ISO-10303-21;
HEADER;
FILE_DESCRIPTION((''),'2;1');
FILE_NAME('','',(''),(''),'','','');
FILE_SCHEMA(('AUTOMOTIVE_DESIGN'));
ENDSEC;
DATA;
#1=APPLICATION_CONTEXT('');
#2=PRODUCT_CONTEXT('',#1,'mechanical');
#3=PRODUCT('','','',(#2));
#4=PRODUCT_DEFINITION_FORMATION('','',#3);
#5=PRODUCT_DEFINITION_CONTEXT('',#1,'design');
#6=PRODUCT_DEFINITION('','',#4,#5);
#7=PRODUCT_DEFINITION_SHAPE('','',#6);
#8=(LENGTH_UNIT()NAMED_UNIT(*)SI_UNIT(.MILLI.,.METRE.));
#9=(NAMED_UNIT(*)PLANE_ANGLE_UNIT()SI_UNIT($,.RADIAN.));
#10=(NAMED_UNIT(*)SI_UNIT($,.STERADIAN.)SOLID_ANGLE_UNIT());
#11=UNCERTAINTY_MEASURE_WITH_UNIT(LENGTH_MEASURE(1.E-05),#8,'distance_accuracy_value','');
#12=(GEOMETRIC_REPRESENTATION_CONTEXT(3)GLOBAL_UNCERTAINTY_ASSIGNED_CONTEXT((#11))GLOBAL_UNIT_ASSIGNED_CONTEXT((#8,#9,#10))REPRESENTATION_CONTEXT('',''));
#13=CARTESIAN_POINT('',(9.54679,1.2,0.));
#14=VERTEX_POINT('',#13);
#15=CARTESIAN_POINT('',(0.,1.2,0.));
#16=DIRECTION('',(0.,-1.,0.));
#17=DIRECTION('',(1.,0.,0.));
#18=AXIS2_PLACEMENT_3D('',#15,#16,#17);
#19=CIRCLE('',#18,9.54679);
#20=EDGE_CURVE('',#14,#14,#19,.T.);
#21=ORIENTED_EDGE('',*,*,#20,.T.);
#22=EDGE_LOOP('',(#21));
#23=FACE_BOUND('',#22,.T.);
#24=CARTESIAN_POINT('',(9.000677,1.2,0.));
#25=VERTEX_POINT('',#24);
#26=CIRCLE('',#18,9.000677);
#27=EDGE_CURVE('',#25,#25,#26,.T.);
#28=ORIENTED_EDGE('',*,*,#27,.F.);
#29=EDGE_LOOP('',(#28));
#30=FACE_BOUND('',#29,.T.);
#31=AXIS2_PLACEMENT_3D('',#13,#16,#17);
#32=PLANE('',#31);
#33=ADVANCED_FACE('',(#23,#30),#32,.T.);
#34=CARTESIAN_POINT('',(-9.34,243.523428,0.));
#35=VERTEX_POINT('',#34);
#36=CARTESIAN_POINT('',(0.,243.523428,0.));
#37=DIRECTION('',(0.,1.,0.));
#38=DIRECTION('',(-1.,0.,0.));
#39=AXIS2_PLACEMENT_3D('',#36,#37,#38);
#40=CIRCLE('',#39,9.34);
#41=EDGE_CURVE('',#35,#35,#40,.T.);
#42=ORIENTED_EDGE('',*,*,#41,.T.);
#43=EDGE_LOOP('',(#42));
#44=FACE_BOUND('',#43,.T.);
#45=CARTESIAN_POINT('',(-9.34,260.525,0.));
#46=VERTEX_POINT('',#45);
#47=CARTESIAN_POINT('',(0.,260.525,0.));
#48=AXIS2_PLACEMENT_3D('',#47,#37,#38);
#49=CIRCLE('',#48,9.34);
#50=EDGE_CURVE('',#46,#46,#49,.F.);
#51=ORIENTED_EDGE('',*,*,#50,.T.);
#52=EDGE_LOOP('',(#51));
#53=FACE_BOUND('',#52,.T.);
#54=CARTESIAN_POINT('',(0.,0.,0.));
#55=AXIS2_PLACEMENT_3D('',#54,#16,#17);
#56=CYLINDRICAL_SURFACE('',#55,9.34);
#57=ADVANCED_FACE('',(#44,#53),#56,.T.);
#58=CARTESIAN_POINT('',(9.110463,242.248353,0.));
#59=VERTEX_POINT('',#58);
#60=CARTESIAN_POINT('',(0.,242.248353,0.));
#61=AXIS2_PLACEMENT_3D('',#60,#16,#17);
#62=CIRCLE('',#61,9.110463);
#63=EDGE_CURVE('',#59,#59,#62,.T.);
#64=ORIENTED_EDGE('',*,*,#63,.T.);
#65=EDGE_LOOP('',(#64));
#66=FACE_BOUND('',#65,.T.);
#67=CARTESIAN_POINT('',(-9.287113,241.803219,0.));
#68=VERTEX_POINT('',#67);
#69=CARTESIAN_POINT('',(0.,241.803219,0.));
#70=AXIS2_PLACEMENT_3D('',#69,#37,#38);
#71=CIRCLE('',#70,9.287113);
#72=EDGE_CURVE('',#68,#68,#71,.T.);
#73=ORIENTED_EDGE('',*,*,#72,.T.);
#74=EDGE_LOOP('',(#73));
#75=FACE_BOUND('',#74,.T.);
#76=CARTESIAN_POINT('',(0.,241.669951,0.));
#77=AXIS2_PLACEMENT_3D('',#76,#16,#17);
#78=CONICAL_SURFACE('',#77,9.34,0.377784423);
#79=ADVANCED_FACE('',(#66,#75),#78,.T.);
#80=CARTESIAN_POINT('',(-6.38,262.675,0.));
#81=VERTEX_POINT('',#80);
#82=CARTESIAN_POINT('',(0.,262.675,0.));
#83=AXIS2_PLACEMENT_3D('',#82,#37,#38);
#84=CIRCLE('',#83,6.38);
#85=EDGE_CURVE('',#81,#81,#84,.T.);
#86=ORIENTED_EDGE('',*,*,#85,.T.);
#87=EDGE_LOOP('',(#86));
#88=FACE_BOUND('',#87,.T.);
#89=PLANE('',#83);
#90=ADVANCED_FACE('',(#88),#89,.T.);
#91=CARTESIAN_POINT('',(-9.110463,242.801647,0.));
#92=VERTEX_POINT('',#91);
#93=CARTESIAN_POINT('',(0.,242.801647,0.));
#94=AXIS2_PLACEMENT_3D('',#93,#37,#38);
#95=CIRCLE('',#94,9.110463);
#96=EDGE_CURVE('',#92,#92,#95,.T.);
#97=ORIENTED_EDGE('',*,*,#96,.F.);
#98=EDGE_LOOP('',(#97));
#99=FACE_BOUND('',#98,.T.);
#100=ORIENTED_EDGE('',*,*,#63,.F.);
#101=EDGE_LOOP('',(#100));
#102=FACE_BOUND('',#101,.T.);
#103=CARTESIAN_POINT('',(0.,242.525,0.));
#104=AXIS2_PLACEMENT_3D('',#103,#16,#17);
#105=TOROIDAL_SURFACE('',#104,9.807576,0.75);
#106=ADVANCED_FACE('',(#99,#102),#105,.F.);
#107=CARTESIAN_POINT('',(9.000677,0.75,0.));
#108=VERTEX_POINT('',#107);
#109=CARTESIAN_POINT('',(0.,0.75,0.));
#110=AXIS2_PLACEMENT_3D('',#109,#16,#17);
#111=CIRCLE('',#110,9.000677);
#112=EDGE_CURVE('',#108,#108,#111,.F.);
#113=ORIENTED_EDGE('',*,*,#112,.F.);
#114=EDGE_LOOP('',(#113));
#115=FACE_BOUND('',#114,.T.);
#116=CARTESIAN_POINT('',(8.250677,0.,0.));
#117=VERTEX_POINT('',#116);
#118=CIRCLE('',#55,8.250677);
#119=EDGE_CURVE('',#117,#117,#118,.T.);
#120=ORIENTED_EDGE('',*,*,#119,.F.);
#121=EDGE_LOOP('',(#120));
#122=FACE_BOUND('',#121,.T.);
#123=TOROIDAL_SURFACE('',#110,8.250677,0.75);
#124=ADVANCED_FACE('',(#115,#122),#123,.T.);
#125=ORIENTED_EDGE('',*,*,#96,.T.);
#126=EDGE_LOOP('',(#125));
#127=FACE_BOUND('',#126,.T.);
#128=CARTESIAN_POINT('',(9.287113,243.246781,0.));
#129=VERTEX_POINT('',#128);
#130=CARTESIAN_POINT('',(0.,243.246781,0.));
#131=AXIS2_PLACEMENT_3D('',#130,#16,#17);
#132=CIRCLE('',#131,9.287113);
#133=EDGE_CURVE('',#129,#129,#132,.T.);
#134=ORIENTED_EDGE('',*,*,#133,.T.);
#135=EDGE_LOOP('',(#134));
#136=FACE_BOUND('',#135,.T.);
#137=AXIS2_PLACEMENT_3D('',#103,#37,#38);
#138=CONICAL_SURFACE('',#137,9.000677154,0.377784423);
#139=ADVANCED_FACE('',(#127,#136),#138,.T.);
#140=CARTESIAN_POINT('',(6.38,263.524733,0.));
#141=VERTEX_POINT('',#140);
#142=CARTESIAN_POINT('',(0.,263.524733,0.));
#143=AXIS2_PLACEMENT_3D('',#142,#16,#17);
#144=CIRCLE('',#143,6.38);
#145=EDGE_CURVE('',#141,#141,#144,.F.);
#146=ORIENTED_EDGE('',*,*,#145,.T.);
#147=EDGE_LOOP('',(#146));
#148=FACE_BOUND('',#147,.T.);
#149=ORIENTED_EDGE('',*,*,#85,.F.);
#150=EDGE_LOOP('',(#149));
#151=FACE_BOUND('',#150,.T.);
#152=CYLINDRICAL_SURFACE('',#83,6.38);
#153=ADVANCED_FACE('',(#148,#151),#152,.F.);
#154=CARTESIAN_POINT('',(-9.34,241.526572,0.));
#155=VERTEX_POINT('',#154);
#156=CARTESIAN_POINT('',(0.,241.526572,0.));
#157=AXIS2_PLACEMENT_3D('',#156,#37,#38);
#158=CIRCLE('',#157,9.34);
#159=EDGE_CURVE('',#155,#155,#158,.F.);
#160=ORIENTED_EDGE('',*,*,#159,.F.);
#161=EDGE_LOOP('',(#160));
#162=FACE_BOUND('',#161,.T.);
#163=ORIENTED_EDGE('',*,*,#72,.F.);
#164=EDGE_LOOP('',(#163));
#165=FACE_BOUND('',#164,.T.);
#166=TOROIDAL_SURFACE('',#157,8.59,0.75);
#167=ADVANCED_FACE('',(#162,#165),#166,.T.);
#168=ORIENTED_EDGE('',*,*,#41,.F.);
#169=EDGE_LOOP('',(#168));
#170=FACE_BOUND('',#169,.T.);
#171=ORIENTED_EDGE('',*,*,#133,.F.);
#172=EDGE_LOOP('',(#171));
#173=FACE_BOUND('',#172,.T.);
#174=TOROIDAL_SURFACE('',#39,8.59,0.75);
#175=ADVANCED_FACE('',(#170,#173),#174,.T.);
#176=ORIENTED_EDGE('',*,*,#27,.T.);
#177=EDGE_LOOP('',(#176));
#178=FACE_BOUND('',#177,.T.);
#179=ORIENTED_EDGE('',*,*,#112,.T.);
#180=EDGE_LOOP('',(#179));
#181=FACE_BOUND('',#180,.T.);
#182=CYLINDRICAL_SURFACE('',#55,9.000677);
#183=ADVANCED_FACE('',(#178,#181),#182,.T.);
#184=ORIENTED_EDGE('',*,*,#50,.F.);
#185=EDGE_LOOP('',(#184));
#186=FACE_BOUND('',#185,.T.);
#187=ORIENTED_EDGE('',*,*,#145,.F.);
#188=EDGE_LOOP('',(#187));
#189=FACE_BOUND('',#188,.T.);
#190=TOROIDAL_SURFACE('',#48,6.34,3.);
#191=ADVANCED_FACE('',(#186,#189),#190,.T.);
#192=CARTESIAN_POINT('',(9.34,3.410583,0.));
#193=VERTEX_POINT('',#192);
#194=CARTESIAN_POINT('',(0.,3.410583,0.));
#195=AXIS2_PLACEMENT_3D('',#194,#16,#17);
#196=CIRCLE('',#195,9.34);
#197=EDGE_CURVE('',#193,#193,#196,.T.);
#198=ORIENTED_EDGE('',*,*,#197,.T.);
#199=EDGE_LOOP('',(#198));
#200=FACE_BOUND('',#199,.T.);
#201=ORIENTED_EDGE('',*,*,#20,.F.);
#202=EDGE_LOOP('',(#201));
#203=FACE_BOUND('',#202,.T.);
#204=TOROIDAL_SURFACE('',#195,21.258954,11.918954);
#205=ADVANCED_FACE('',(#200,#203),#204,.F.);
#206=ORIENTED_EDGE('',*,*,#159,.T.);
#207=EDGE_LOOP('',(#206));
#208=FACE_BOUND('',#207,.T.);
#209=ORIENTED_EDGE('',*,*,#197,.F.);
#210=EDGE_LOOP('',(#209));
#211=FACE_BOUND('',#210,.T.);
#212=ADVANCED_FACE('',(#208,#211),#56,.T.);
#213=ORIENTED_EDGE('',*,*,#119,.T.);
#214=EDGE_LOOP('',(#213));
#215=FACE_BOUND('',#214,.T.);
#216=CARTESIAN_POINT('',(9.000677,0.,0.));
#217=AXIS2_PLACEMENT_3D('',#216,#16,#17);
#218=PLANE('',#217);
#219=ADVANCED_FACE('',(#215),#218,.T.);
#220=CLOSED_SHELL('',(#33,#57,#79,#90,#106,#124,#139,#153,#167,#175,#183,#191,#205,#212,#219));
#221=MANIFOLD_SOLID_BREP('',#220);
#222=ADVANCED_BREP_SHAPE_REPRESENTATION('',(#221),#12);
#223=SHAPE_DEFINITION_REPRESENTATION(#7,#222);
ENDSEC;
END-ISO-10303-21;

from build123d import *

# Parameters (mm, degrees)
FILLET1_R          = 3
FILLET2_R          = 0.75
SKETCH3_R          = 6.38
CUT_EXTRUDE1_DEPTH = 0.85


with BuildPart() as part:
    # Sketch2 → Revolve1 (revolve)
    with BuildSketch(Plane.XY):
        with BuildLine():
            Line((0, 263.525), (9.34, 263.525))
            Line((9.34, 263.525), (9.34, 243.380049267))
            Line((9.34, 243.380049267), (9.000677154, 242.525))
            Line((9.000677154, 242.525), (9.34, 241.669950733))
            Line((9.34, 241.669950733), (9.34, 3.410583034))
            ThreePointArc((9.34, 3.410583034), (9.391810091, 2.300465987), (9.546789941, 1.2))
            Line((9.546789941, 1.2), (9.000677154, 1.2))
            Line((9.000677154, 1.2), (9.000677154, 0))
            Line((9.000677154, 0), (0, 0))
            Line((0, 0), (0, 263.525))
        make_face()
    revolve(axis=Axis((0, 0, 0), (0, 1, 0)))

    # Fillet1
    fillet1_edges = [part.edges().sort_by_distance(p)[0] for p in [
        (-9.34, 263.525, 0),
    ]]
    fillet(fillet1_edges, radius=FILLET1_R)

    # Fillet2
    fillet2_edges = [part.edges().sort_by_distance(p)[0] for p in [
        (-9.000677154, 0, 0),
        (-9.34, 243.380049267, 0),
        (-9.000677154, 242.525, 0),
        (-9.34, 241.669950733, 0),
    ]]
    fillet(fillet2_edges, radius=FILLET2_R)

    # Sketch3 → Cut-Extrude1 (cut)
    with BuildSketch(Plane(origin=(0, 263.525, 0), x_dir=(1, 0, 0), z_dir=(0, 1, 0))):
        Circle(SKETCH3_R)
    extrude(amount=-CUT_EXTRUDE1_DEPTH, mode=Mode.SUBTRACT)


solid = part.part
